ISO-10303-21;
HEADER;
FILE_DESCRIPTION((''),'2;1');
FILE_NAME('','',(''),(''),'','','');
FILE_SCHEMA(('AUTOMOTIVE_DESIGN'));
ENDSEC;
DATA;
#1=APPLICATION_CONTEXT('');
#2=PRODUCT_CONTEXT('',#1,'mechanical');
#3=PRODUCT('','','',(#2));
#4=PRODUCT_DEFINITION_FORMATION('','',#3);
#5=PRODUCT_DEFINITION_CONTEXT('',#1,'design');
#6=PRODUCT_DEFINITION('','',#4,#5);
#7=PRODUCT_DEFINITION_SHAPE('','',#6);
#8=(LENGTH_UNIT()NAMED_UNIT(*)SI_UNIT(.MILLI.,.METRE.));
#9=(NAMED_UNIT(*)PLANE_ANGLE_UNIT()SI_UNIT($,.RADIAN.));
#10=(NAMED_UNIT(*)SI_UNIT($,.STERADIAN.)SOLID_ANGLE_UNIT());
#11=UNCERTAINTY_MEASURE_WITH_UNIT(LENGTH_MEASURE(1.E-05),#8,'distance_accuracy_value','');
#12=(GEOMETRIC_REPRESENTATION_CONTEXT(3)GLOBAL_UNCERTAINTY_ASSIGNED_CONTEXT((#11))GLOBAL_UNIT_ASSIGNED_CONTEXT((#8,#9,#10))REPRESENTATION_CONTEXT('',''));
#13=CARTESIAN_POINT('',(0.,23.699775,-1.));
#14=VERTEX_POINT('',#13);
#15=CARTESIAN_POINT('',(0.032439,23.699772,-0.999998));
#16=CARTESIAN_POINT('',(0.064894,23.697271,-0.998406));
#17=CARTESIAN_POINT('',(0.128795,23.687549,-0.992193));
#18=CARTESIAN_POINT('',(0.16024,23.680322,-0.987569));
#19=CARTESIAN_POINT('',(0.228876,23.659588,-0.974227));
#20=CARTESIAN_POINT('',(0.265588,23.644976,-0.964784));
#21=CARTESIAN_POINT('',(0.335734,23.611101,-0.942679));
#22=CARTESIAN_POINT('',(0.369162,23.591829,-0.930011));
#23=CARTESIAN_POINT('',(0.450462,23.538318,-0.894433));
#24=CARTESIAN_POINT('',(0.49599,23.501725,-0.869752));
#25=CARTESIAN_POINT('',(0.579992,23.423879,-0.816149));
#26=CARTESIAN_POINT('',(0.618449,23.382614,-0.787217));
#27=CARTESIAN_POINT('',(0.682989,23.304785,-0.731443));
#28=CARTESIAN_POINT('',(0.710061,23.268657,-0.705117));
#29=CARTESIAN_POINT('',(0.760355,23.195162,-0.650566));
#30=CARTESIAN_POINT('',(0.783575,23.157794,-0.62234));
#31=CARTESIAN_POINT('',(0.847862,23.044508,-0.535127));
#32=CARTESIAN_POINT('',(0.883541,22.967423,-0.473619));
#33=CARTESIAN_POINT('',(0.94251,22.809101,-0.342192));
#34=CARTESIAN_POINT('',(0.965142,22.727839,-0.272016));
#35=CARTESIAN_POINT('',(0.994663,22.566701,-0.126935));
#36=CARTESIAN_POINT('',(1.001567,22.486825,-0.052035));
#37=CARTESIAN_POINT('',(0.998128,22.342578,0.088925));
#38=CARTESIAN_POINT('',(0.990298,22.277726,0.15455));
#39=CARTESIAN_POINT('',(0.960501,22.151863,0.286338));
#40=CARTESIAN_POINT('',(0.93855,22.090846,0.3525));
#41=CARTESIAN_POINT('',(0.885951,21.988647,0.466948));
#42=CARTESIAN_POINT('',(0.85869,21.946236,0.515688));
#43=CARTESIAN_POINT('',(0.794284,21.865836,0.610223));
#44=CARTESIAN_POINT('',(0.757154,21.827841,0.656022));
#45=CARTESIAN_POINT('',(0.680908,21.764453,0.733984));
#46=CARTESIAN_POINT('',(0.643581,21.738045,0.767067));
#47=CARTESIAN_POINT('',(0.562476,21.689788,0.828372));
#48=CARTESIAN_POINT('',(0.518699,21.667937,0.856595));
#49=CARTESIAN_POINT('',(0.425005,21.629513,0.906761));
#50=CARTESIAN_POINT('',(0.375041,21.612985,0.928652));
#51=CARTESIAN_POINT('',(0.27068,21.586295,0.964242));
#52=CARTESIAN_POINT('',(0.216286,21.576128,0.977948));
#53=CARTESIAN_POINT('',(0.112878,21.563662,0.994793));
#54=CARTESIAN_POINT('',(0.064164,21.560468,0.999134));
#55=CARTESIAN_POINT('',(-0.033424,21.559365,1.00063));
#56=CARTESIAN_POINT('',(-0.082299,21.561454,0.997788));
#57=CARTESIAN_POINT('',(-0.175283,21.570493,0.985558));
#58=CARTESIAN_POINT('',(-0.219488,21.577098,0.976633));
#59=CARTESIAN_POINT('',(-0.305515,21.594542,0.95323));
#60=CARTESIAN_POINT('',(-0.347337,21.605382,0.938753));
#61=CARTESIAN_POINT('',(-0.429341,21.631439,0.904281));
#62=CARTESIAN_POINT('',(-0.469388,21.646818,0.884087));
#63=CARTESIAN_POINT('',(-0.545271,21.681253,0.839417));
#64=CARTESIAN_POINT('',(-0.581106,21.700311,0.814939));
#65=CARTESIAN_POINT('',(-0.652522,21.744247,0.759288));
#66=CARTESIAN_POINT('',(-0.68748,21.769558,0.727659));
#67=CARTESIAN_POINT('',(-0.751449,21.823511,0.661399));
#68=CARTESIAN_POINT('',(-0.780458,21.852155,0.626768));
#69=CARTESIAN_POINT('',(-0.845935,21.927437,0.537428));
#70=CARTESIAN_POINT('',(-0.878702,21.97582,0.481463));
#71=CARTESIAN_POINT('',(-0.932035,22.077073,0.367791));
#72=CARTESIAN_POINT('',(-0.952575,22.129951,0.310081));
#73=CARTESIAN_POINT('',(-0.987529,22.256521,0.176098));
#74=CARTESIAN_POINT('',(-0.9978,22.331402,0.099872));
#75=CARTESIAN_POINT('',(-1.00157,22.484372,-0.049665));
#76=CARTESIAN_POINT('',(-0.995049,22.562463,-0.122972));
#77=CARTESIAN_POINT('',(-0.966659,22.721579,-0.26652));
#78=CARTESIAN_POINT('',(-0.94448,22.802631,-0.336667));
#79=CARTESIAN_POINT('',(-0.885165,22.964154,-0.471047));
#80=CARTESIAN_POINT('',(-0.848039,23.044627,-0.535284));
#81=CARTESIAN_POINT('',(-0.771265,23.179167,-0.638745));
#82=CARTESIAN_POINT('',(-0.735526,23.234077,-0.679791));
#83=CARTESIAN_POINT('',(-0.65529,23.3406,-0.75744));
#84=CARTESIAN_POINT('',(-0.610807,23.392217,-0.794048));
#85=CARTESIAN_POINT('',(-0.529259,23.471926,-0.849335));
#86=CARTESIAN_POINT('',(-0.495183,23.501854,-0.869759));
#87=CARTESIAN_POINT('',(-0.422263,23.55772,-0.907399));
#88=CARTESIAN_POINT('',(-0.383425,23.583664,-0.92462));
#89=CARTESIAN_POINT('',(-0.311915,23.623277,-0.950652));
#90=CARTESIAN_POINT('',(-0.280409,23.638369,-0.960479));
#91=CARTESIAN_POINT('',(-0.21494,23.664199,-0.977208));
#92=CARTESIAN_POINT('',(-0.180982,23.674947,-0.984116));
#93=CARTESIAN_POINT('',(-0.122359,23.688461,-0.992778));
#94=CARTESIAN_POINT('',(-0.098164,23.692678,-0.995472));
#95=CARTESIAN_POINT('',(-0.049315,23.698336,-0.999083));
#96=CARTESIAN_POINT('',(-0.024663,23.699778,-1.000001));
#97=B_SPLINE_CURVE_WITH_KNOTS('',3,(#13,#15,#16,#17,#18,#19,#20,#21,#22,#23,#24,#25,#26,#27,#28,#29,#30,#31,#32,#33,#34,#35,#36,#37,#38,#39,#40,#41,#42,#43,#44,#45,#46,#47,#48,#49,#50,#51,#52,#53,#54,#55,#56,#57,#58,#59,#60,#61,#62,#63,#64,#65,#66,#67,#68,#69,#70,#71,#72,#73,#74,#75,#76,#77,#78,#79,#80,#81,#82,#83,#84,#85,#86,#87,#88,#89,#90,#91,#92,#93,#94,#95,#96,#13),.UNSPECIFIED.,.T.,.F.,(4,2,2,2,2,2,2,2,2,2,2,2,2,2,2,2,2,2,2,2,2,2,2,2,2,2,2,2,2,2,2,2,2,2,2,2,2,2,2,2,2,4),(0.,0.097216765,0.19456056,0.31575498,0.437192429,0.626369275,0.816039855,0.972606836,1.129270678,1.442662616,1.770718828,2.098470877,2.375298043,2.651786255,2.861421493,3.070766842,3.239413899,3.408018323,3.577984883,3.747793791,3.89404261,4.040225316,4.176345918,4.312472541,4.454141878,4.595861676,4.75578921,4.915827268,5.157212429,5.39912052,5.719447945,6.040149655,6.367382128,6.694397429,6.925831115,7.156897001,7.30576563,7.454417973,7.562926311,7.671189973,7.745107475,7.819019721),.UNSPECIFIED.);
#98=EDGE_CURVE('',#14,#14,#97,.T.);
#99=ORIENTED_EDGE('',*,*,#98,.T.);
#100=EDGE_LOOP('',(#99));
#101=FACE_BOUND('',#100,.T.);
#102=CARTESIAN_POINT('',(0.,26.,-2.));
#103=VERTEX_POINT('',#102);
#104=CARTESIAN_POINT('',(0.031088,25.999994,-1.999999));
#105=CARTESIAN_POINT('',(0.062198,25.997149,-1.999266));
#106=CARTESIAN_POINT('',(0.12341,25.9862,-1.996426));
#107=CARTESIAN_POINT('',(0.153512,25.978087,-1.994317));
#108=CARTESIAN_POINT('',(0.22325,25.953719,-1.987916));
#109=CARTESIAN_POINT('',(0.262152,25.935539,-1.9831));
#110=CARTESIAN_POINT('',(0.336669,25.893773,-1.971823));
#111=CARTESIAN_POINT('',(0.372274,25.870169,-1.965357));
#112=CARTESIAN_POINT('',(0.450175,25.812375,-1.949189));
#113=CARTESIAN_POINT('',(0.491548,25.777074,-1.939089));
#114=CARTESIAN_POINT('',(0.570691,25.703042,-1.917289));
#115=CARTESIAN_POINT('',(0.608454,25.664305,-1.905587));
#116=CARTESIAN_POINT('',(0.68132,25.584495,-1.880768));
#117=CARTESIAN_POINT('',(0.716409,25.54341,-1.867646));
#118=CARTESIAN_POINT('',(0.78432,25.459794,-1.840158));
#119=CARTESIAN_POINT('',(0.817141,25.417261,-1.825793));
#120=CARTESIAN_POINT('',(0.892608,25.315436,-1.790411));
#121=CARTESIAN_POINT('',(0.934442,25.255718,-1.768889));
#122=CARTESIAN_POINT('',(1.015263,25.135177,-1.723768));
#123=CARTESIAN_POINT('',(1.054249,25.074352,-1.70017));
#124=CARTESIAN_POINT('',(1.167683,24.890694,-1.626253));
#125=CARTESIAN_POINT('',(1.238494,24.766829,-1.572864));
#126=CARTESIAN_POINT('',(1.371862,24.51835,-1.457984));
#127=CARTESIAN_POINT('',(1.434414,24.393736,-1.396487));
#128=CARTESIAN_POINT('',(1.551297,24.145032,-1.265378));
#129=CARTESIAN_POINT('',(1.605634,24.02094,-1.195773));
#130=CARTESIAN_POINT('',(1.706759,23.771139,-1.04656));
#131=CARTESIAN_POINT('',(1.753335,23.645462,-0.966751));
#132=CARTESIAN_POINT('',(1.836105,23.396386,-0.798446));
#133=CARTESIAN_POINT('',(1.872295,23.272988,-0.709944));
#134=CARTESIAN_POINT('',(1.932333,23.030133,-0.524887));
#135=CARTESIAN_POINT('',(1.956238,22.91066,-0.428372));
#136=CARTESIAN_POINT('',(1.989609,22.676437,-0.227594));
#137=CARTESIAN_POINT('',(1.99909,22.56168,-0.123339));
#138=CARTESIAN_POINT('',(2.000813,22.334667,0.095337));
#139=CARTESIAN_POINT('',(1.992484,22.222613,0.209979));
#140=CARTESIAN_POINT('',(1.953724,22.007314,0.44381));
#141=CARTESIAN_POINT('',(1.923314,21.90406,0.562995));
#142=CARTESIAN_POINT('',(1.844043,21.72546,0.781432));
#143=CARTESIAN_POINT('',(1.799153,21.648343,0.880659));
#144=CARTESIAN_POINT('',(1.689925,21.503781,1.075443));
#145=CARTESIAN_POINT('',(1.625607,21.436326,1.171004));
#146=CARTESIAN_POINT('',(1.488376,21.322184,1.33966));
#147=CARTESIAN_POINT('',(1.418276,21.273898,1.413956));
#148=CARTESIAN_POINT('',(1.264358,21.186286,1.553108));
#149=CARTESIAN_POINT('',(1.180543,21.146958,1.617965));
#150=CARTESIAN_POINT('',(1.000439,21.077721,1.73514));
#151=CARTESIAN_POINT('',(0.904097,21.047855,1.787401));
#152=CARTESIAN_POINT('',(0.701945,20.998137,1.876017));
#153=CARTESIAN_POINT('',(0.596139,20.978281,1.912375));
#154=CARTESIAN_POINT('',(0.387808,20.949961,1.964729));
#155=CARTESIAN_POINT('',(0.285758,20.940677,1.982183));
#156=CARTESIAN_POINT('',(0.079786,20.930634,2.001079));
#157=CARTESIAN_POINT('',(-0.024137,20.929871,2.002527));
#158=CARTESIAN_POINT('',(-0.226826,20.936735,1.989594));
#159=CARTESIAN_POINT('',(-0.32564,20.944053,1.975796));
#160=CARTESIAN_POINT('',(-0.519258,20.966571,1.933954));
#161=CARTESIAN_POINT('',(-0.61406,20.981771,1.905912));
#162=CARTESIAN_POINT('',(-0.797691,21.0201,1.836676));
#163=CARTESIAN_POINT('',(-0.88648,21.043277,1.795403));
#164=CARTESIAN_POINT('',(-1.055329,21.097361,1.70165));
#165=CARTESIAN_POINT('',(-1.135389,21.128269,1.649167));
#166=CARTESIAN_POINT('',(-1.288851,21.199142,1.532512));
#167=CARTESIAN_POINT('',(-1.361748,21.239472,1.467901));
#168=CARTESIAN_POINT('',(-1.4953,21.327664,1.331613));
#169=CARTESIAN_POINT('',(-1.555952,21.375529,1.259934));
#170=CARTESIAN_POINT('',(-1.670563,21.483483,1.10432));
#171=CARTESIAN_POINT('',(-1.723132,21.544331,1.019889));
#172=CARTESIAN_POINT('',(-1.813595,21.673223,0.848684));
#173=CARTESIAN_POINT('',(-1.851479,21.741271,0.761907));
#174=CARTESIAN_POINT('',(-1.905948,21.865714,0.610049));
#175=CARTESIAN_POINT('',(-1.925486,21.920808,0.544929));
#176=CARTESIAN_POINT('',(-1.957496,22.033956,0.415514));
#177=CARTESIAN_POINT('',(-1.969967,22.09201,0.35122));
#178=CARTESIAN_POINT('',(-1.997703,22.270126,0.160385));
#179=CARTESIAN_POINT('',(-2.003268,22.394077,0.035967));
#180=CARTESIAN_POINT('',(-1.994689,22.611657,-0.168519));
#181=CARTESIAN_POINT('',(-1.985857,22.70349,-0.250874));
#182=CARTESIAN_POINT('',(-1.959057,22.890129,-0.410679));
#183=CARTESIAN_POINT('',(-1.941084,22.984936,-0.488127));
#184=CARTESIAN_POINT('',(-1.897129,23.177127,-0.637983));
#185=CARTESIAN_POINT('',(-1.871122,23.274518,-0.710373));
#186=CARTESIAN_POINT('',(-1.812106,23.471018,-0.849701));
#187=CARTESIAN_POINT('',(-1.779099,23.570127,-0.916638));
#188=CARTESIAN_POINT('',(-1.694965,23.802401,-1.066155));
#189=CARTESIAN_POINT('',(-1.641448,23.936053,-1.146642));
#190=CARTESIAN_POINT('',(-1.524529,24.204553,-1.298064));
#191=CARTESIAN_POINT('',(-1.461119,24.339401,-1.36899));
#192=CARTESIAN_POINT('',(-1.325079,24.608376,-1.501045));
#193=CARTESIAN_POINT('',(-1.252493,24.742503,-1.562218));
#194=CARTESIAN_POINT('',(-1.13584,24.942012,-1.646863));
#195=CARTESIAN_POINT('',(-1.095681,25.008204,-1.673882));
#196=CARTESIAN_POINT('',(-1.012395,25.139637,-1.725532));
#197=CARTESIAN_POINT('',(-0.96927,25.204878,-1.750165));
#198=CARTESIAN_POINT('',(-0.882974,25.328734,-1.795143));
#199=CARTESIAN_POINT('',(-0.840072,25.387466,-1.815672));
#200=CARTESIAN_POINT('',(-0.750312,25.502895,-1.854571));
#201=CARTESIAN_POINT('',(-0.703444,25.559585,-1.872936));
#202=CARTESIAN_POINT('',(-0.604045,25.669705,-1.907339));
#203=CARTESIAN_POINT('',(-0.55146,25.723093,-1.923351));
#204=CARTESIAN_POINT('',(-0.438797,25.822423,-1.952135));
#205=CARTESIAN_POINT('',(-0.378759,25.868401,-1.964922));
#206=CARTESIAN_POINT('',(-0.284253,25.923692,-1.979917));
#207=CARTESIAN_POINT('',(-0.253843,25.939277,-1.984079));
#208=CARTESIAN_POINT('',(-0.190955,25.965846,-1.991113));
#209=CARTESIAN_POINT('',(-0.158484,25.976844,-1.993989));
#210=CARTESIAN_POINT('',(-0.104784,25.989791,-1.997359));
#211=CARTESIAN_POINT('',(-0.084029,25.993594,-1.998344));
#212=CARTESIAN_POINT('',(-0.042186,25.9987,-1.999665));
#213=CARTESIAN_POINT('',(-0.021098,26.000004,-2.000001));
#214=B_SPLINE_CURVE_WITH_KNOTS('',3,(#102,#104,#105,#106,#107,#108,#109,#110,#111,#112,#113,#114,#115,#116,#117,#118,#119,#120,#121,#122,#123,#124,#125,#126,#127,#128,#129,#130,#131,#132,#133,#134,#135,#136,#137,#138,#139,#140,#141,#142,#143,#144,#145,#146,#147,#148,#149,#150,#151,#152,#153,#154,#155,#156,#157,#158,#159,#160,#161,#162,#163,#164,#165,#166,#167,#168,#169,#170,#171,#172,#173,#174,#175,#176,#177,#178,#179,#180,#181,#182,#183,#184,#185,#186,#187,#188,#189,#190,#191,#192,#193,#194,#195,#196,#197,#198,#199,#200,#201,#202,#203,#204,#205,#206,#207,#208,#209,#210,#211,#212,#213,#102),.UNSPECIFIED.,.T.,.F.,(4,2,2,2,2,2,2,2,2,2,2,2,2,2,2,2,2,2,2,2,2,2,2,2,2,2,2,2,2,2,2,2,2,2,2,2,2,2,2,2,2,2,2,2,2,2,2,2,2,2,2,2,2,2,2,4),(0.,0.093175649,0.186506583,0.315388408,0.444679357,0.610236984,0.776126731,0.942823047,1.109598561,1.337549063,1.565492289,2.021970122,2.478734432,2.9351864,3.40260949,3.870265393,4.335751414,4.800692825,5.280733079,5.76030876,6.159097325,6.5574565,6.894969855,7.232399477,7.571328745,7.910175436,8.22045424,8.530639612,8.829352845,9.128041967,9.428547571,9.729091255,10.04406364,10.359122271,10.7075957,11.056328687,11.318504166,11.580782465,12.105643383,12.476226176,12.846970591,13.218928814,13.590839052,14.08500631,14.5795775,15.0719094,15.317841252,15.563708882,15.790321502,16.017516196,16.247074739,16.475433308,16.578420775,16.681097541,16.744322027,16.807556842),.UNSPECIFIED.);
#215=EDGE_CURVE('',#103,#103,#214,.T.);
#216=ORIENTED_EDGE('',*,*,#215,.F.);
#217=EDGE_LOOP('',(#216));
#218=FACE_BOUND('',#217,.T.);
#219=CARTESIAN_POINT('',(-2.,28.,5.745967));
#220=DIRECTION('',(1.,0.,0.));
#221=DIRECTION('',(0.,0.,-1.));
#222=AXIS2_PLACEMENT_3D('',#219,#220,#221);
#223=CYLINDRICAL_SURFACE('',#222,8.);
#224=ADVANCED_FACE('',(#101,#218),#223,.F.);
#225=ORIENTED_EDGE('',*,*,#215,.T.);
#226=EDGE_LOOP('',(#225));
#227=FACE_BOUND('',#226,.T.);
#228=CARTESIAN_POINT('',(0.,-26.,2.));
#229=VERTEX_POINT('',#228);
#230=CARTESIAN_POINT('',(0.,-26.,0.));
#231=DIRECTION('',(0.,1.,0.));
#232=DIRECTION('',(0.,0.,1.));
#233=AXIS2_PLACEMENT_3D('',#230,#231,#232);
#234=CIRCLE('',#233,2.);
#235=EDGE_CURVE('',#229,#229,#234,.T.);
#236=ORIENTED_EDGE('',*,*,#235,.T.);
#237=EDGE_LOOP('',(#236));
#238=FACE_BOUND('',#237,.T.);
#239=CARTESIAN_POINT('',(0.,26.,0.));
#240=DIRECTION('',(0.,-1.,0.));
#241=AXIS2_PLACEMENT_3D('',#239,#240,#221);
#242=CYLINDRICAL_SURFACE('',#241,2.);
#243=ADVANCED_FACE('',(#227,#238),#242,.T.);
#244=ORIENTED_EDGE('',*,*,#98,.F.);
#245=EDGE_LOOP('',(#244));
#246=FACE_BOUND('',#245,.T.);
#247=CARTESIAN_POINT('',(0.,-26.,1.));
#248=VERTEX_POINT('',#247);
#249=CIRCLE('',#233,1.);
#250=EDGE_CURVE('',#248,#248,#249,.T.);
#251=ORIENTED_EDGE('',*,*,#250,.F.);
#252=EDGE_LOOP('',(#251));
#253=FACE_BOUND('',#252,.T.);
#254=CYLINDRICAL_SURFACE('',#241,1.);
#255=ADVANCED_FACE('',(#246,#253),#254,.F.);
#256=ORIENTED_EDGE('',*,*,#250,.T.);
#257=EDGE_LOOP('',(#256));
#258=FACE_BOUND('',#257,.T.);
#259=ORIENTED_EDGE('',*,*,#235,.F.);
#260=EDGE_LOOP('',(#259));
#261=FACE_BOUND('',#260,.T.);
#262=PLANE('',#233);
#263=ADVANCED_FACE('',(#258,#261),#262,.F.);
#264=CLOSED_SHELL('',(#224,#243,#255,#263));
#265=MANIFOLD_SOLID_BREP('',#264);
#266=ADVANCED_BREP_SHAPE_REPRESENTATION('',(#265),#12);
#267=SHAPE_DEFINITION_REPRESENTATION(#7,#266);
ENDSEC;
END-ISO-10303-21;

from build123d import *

# Parameters (mm, degrees)
SKETCH1_R           = 2
SKETCH1_R_2         = 1
BOSS_EXTRUDE1_DEPTH = 26
SKETCH2_R           = 8
CUT_EXTRUDE1_DEPTH  = 2


with BuildPart() as part:
    # Sketch1 → Boss-Extrude1 (new body, symmetric)
    with BuildSketch(Plane(origin=(0, 0, 0), x_dir=(1, 0, 0), z_dir=(0, 1, 0))):
        Circle(SKETCH1_R)
        Circle(SKETCH1_R_2, mode=Mode.SUBTRACT)
    extrude(amount=BOSS_EXTRUDE1_DEPTH, both=True)

    # Sketch2 → Cut-Extrude1 (cut, symmetric)
    with BuildSketch(Plane(origin=(0, 0, 0), x_dir=(0, 0, -1), z_dir=(1, 0, 0))):
        with Locations((-5.745966692, 28)):
            Circle(SKETCH2_R)
    extrude(amount=CUT_EXTRUDE1_DEPTH, both=True, mode=Mode.SUBTRACT)


solid = part.part
